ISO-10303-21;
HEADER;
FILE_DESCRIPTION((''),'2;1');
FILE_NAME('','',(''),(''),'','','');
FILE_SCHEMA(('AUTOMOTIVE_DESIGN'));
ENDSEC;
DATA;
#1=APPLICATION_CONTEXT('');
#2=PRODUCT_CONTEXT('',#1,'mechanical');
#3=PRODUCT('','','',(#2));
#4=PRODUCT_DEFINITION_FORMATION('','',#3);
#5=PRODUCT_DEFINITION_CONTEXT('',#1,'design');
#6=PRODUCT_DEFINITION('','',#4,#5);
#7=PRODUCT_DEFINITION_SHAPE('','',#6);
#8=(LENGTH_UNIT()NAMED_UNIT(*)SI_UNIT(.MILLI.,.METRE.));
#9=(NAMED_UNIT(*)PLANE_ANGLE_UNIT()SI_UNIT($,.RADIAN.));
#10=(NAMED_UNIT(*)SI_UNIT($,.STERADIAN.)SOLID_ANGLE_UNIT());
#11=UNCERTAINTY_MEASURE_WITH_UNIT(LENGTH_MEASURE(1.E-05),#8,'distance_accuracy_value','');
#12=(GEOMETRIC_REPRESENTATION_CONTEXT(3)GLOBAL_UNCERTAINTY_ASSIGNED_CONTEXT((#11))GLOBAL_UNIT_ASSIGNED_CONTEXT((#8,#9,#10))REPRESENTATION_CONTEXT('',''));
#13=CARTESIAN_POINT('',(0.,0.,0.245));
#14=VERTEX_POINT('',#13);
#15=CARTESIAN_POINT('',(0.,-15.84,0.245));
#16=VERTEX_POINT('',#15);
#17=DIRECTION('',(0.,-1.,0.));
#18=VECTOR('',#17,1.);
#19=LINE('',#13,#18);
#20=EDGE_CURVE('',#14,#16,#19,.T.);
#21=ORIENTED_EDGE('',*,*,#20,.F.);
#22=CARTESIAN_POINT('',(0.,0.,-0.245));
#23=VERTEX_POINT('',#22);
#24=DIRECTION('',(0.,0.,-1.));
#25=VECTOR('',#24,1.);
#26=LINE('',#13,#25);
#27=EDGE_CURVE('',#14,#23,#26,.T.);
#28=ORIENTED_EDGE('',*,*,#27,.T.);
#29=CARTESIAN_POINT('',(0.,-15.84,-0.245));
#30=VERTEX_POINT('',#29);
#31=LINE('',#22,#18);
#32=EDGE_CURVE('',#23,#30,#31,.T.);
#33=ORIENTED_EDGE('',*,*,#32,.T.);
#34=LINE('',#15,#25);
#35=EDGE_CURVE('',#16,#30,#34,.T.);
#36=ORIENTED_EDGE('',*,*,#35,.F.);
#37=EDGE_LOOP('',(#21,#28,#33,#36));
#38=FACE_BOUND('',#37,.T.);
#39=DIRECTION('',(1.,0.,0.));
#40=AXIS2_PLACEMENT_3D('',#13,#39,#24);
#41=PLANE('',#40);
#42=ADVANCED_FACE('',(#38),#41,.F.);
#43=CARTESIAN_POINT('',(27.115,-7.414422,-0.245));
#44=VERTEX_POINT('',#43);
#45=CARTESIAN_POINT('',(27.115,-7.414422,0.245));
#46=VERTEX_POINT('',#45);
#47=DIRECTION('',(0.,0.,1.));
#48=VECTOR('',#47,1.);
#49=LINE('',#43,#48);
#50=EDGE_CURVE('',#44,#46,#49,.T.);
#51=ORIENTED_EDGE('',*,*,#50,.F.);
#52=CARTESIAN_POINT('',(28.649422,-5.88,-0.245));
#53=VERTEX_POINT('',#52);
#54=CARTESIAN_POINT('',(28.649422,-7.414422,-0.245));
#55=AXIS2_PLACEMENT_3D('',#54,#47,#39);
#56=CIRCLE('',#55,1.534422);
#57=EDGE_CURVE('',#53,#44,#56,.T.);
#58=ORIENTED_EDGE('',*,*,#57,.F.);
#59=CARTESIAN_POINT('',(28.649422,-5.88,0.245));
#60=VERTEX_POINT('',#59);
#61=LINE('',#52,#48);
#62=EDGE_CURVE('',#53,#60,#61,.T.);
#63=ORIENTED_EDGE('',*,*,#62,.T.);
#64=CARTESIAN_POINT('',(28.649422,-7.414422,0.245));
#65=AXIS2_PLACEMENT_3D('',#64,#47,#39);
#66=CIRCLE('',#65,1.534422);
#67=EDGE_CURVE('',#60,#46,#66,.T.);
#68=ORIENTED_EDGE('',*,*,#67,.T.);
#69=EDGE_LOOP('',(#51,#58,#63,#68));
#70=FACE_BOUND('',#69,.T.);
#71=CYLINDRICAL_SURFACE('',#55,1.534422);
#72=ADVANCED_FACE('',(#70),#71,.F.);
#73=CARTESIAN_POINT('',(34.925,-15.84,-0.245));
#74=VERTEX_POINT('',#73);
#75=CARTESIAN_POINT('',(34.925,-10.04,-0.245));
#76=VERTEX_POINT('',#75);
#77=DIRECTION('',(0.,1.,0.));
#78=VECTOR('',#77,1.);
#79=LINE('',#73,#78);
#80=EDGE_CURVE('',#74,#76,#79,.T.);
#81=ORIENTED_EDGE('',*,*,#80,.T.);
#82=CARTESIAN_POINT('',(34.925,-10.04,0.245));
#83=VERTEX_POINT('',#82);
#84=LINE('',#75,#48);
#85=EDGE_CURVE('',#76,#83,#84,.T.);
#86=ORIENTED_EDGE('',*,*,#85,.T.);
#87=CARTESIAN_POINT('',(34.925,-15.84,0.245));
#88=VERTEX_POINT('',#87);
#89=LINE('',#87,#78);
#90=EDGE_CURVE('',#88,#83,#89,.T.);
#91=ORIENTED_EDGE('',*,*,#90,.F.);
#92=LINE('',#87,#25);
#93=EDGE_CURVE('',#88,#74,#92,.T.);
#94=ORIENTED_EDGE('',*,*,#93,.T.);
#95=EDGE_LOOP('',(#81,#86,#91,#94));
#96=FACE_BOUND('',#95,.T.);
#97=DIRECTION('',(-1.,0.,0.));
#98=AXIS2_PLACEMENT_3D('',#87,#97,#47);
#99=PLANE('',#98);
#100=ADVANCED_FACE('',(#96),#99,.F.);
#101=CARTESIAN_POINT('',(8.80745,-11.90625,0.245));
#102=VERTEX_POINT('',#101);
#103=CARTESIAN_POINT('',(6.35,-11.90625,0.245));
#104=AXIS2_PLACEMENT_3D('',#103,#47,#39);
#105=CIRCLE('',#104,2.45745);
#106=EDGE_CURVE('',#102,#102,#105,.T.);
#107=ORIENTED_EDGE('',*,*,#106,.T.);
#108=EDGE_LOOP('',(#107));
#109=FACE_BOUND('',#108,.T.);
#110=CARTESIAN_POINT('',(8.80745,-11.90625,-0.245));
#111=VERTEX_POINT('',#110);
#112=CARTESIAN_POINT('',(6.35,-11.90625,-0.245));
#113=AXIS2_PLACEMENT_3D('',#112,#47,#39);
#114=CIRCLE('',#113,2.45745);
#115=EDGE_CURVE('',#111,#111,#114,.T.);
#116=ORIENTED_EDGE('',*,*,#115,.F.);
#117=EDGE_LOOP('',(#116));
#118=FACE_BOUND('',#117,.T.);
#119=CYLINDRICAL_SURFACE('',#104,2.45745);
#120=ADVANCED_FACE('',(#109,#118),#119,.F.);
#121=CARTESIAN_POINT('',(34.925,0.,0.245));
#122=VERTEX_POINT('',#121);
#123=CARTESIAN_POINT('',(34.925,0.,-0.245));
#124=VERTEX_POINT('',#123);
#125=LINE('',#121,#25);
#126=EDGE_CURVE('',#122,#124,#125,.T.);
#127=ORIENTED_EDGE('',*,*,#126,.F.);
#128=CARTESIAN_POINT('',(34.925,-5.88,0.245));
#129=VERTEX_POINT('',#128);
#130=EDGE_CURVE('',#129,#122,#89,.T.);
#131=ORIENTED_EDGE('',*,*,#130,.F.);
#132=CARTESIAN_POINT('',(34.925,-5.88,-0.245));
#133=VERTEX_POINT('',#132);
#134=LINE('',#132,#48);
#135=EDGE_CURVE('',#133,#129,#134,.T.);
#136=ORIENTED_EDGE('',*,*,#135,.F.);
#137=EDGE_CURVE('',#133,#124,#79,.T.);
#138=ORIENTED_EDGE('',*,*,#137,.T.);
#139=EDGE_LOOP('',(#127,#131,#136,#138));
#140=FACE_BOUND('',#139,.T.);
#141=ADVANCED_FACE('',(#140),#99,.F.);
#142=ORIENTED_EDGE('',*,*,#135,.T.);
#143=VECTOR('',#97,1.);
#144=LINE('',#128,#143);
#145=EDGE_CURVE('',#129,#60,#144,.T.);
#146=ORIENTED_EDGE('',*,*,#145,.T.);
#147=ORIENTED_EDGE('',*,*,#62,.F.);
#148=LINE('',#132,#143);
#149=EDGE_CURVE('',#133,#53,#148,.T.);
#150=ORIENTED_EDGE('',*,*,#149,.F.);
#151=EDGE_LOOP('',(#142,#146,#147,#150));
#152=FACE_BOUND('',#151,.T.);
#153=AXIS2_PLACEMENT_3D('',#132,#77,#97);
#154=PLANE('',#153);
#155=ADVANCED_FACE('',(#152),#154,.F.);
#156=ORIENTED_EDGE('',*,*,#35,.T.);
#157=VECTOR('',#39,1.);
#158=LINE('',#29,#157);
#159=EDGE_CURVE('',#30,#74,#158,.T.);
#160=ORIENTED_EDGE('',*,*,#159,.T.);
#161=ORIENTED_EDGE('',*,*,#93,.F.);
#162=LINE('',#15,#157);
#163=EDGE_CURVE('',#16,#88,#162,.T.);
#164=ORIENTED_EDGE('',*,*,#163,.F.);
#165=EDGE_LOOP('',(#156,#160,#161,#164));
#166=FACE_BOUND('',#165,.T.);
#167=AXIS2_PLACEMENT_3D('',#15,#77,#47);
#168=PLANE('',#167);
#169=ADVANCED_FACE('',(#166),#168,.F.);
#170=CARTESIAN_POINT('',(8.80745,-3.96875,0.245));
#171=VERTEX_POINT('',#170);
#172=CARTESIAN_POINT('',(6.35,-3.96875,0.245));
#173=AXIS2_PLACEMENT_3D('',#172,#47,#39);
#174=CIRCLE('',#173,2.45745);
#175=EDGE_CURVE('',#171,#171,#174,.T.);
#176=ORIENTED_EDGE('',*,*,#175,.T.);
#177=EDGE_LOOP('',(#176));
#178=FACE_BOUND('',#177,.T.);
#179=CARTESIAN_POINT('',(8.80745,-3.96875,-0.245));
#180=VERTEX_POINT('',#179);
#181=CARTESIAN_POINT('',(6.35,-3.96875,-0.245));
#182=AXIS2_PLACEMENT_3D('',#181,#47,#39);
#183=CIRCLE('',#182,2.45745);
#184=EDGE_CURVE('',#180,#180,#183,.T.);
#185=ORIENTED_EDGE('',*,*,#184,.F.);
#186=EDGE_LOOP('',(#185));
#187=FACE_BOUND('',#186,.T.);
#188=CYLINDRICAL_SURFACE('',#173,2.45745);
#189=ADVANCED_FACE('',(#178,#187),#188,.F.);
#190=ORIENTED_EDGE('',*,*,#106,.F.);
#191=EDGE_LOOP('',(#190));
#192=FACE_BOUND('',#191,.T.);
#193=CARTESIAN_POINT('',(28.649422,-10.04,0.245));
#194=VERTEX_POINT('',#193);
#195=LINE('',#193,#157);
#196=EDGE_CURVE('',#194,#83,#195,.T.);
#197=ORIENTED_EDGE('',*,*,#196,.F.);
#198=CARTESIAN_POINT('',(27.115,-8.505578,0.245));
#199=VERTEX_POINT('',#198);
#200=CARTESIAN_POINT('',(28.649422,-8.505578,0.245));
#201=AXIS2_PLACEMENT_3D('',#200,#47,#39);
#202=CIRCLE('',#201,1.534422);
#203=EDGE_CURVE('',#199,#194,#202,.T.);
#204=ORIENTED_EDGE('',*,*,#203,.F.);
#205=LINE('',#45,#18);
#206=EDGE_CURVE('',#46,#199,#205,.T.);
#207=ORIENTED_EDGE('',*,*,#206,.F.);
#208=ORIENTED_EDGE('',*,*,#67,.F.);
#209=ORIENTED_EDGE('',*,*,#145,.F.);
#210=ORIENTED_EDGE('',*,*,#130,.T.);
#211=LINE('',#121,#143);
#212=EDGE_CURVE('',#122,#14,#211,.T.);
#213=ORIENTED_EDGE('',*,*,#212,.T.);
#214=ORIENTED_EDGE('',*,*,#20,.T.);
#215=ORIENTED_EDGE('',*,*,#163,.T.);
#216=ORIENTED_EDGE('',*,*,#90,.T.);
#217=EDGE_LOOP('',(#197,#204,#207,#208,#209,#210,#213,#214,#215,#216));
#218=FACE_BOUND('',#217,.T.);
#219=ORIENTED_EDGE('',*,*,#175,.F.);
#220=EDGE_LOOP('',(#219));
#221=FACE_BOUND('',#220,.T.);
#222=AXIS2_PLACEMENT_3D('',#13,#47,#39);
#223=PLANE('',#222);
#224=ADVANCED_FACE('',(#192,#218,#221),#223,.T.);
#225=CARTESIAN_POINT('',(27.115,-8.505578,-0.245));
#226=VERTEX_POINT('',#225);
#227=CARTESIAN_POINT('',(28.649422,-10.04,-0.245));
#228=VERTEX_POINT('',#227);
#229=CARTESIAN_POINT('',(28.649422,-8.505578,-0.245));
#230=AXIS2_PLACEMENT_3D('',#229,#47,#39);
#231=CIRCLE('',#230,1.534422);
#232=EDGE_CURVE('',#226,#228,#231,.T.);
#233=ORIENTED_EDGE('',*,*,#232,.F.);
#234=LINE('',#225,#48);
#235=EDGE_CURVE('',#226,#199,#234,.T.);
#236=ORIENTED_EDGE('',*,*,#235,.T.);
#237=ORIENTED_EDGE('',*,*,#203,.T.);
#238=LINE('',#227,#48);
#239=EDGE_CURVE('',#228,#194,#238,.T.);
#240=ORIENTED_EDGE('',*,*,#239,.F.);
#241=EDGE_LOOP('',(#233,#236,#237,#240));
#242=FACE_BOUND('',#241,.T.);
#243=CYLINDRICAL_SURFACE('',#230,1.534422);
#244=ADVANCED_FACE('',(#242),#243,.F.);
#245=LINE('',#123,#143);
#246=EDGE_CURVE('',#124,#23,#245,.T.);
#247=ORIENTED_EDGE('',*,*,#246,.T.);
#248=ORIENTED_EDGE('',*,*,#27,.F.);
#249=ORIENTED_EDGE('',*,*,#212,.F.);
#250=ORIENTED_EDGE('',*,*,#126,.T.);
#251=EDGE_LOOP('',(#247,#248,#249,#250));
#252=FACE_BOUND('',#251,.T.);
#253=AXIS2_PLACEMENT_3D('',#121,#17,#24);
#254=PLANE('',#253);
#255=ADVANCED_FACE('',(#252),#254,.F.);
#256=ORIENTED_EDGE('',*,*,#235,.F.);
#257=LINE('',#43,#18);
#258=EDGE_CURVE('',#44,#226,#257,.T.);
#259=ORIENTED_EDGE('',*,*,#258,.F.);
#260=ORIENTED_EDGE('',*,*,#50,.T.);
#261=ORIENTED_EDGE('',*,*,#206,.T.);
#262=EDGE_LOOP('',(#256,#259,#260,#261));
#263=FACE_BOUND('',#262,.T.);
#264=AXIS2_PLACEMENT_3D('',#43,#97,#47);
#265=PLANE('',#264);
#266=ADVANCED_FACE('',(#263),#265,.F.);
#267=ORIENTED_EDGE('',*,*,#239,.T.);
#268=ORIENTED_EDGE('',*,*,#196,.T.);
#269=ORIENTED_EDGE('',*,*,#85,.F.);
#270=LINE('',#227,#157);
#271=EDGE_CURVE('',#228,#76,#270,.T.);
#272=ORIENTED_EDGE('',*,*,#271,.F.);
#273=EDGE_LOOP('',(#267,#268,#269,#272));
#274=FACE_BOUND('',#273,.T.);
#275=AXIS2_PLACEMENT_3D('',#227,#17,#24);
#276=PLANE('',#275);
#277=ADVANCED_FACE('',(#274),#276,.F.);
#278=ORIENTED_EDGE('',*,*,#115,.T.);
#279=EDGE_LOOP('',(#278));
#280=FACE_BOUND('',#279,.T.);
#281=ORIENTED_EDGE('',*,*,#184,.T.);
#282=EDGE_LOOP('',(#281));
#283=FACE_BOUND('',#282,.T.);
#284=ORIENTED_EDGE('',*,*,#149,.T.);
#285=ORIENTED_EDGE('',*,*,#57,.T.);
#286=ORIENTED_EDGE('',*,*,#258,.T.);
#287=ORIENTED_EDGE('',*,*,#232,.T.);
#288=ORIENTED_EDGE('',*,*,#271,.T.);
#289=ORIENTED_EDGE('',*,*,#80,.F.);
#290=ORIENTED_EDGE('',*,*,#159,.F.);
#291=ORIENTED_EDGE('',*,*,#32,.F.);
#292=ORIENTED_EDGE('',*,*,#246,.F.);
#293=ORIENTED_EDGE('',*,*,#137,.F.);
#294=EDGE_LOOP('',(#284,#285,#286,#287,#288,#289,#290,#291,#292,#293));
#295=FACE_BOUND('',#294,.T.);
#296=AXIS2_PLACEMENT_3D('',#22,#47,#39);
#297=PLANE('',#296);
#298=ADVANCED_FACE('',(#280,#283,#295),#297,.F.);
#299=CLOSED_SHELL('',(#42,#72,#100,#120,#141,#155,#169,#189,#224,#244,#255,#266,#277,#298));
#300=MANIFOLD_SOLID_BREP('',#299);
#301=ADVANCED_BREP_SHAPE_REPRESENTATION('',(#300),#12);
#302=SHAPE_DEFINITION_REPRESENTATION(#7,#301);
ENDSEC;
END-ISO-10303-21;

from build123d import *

# Parameters (mm, degrees)
SKETCH1_W             = 34.925
SKETCH1_H             = 15.84
BOSS_EXTRUDE1_DEPTH   = 0.245
CUT_EXTRUDE1_DEPTH    = 39.352331415
F_8_CLEARANCE_HOLE1_D = 4.9149


with BuildPart() as part:
    # Sketch1 → Boss-Extrude1 (new, symmetric)
    with BuildSketch(Plane.XY):
        with Locations((17.4625, -7.92)):
            Rectangle(SKETCH1_W, SKETCH1_H)
    extrude(amount=BOSS_EXTRUDE1_DEPTH, both=True)

    # Sketch2 → Cut-Extrude1 (cut, through all)
    with BuildSketch(Plane.XY.offset(0.245)):
        with BuildLine():
            Line((34.925, -5.88), (28.649421715, -5.88))
            ThreePointArc((28.649421715, -5.88), (27.564421715, -6.329421715), (27.115, -7.414421715))
            Line((27.115, -7.414421715), (27.115, -8.505578285))
            ThreePointArc((27.115, -8.505578285), (27.564421715, -9.590578285), (28.649421715, -10.04))
            Line((28.649421715, -10.04), (34.925, -10.04))
            Line((34.925, -10.04), (34.925, -5.88))
        make_face()
    extrude(amount=-CUT_EXTRUDE1_DEPTH, mode=Mode.SUBTRACT)

    # #8 Clearance Hole1 (through all)
    with Locations(Plane.XY.offset(0.245)):
        with Locations((6.35, -3.96875), (6.35, -11.90625)):
            Hole(F_8_CLEARANCE_HOLE1_D / 2)


solid = part.part
